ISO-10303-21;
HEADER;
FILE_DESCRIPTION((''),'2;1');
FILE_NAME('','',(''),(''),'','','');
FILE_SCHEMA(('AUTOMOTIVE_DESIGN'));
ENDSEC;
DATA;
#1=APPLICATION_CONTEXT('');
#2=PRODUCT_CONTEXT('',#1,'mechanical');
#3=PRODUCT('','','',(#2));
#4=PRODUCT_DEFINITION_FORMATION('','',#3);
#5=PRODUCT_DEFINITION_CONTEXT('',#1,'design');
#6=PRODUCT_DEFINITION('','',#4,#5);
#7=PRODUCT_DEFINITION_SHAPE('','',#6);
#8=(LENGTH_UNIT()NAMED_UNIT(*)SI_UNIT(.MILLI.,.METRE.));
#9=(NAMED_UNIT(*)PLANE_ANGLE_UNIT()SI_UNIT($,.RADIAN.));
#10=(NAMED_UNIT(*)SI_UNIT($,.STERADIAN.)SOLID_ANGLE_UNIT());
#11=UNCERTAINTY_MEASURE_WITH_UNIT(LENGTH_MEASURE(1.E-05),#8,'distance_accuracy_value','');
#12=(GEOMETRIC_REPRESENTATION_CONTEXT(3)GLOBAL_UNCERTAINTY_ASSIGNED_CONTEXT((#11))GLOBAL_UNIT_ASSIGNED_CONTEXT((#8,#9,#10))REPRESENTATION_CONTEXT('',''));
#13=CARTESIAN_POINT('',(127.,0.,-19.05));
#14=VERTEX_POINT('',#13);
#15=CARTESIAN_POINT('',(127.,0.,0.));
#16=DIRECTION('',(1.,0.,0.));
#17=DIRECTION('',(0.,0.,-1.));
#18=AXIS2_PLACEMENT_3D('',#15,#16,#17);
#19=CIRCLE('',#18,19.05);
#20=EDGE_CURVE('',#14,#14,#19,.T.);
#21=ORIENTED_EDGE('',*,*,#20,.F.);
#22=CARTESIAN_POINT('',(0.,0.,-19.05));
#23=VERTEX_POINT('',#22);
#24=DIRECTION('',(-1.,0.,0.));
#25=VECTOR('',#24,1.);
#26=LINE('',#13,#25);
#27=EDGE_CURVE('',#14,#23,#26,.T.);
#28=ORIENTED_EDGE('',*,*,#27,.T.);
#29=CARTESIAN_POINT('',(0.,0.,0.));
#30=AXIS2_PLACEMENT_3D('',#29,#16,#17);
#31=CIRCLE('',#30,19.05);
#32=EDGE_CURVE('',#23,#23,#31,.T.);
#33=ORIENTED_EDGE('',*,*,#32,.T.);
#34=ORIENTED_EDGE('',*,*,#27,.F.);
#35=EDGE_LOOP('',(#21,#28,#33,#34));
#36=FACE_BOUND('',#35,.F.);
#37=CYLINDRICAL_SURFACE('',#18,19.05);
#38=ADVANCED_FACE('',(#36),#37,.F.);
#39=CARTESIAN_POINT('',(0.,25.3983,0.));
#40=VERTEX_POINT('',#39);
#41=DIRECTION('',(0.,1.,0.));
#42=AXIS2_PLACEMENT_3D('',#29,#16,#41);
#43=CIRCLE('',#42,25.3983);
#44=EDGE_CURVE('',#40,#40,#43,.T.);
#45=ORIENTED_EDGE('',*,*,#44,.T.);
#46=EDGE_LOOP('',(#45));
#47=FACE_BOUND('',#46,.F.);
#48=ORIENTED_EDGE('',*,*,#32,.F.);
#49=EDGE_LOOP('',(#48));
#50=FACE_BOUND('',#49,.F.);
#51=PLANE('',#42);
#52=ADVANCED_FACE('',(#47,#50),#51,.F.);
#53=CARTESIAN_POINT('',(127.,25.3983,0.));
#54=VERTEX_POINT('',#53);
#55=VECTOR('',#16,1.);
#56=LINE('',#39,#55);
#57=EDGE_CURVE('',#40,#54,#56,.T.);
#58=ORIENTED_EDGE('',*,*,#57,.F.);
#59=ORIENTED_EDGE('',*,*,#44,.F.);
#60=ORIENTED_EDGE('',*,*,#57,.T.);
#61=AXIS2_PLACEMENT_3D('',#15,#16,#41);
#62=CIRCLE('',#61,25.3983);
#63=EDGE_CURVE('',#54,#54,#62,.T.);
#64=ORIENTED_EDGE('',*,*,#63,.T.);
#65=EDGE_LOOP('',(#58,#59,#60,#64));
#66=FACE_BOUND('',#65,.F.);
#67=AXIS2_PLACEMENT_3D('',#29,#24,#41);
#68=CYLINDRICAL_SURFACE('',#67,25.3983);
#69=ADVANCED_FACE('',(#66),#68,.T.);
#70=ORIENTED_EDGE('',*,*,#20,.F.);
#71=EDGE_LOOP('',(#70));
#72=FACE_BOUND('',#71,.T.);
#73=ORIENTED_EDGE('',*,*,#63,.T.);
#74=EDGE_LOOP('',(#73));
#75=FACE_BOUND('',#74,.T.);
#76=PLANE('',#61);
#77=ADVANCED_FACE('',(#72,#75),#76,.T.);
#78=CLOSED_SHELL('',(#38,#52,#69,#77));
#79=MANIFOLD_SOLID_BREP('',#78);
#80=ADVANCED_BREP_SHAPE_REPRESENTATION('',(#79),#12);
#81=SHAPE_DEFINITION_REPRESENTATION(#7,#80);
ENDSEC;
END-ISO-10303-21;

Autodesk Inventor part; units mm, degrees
ref_plane "YZ Plane" through (0, 0, 0) normal (1, 0, 0) x (0, 1, 0)
ref_plane "XZ Plane" through (0, 0, 0) normal (0, 1, 0) x (-1, 0, 0)
ref_plane "XY Plane" through (0, 0, 0) normal (0, 0, 1) x (1, 0, 0)
sketch "Sketch1" plane through (0, 0, 0) normal (1, 0, 0) x (0, 1, 0)
  circle A0 centre (0, 0) radius 25.3983
extrude "Extrusion1" add sketch "Sketch1" along normal blind 127
sketch "Sketch2" plane through (127, 0, 0) normal (1, 0, 0) x (0, 0, -1)
  circle A0 centre (0, 0) radius 25.3983 projected
  circle A1 centre (0, 0) radius 19.05
  dimension "d2" = 38.1
extrude "Cut1" cut sketch "Sketch2" against normal up to next contours A1
equation "\"d3\" = Thickness"
equation "\"BendRadius\" = Thickness"
equation "\"BendReliefWidth\" = Thickness"
equation "\"BendReliefDepth\" = 0.5 * Thickness"
equation "\"CornerReliefSize\" = 4 * Thickness"
equation "\"MinimumRemnant\" = 2 * Thickness"
equation "\"TransitionRadius\" = BendRadius"
equation "\"JacobiRadiusSize\" = BendRadius"
equation "\"GapSize\" = Thickness"
equation "\"Thickness\" = 3.048"
properties part number "outer_ring_for_ground_shield" material "Steel, Chrome Plated"
